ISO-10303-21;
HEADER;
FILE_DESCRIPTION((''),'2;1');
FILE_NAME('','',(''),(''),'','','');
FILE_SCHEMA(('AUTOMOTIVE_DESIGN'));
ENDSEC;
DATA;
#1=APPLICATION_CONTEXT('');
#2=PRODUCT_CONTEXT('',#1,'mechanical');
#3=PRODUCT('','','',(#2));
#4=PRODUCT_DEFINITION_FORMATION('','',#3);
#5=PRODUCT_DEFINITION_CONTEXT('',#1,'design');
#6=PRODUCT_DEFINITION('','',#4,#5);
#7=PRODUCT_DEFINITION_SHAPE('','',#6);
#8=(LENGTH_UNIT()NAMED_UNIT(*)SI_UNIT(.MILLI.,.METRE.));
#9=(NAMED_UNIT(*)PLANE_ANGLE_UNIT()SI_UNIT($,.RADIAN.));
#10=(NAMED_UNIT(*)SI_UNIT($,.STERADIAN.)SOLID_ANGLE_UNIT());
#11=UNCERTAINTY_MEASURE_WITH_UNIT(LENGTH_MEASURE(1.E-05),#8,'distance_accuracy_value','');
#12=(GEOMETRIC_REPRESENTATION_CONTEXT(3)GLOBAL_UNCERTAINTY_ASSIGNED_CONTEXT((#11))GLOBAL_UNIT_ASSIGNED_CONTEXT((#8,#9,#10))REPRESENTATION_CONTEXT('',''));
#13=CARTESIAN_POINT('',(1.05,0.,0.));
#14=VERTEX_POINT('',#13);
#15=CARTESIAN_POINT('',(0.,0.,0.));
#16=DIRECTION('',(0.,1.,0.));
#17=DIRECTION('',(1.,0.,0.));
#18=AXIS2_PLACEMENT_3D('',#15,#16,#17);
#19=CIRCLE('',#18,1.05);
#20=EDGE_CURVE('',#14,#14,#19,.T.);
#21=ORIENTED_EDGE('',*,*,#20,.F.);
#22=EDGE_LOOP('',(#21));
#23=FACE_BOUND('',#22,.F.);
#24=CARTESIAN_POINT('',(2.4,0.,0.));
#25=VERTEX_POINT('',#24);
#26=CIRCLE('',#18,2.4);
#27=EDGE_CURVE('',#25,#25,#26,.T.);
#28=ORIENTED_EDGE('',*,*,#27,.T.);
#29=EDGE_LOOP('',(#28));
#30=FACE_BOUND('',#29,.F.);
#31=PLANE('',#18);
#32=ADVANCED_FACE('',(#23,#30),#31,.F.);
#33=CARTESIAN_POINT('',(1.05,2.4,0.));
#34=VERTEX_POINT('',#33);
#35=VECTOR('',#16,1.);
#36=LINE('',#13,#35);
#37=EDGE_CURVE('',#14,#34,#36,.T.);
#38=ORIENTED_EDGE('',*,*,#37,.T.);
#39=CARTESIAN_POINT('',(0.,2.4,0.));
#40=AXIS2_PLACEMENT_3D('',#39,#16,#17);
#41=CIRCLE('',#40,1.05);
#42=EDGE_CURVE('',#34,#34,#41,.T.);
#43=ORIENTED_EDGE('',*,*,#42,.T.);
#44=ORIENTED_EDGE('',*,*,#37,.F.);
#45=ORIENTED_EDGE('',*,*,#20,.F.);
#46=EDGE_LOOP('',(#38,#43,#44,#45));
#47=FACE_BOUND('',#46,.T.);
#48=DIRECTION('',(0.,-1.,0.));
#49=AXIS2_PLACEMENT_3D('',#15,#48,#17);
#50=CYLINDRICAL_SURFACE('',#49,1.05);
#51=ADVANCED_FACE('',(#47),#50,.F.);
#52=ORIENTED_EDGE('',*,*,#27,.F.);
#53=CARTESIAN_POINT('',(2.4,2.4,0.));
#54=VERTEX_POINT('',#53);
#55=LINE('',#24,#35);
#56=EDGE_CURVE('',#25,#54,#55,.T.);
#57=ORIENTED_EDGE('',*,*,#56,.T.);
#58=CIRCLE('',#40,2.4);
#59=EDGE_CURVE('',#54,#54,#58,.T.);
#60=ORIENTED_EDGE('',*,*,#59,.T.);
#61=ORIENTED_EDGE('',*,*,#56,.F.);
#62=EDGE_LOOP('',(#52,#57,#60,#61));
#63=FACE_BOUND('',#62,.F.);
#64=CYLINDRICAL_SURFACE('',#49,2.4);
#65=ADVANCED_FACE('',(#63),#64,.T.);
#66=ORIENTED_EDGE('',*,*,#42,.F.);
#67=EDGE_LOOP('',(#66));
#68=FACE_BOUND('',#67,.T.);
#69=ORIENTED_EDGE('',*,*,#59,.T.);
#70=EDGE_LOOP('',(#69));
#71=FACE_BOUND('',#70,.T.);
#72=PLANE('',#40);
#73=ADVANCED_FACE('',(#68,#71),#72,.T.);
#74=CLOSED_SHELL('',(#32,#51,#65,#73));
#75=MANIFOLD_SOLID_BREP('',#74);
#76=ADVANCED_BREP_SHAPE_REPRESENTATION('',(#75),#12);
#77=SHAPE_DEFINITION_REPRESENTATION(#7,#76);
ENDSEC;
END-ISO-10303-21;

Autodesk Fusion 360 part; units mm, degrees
sketch "Sketch1" plane through (0, 0, 0) normal (0, 1, 0) x (1, 0, 0)
  circle A0 centre (0, 0) radius 2.4
  circle A1 centre (0, 0) radius 1.05
  dimension "d1" = 4.8
  dimension "d2" = 2.1
extrude "Extrude1" add sketch "Sketch1" along normal blind 2.4
